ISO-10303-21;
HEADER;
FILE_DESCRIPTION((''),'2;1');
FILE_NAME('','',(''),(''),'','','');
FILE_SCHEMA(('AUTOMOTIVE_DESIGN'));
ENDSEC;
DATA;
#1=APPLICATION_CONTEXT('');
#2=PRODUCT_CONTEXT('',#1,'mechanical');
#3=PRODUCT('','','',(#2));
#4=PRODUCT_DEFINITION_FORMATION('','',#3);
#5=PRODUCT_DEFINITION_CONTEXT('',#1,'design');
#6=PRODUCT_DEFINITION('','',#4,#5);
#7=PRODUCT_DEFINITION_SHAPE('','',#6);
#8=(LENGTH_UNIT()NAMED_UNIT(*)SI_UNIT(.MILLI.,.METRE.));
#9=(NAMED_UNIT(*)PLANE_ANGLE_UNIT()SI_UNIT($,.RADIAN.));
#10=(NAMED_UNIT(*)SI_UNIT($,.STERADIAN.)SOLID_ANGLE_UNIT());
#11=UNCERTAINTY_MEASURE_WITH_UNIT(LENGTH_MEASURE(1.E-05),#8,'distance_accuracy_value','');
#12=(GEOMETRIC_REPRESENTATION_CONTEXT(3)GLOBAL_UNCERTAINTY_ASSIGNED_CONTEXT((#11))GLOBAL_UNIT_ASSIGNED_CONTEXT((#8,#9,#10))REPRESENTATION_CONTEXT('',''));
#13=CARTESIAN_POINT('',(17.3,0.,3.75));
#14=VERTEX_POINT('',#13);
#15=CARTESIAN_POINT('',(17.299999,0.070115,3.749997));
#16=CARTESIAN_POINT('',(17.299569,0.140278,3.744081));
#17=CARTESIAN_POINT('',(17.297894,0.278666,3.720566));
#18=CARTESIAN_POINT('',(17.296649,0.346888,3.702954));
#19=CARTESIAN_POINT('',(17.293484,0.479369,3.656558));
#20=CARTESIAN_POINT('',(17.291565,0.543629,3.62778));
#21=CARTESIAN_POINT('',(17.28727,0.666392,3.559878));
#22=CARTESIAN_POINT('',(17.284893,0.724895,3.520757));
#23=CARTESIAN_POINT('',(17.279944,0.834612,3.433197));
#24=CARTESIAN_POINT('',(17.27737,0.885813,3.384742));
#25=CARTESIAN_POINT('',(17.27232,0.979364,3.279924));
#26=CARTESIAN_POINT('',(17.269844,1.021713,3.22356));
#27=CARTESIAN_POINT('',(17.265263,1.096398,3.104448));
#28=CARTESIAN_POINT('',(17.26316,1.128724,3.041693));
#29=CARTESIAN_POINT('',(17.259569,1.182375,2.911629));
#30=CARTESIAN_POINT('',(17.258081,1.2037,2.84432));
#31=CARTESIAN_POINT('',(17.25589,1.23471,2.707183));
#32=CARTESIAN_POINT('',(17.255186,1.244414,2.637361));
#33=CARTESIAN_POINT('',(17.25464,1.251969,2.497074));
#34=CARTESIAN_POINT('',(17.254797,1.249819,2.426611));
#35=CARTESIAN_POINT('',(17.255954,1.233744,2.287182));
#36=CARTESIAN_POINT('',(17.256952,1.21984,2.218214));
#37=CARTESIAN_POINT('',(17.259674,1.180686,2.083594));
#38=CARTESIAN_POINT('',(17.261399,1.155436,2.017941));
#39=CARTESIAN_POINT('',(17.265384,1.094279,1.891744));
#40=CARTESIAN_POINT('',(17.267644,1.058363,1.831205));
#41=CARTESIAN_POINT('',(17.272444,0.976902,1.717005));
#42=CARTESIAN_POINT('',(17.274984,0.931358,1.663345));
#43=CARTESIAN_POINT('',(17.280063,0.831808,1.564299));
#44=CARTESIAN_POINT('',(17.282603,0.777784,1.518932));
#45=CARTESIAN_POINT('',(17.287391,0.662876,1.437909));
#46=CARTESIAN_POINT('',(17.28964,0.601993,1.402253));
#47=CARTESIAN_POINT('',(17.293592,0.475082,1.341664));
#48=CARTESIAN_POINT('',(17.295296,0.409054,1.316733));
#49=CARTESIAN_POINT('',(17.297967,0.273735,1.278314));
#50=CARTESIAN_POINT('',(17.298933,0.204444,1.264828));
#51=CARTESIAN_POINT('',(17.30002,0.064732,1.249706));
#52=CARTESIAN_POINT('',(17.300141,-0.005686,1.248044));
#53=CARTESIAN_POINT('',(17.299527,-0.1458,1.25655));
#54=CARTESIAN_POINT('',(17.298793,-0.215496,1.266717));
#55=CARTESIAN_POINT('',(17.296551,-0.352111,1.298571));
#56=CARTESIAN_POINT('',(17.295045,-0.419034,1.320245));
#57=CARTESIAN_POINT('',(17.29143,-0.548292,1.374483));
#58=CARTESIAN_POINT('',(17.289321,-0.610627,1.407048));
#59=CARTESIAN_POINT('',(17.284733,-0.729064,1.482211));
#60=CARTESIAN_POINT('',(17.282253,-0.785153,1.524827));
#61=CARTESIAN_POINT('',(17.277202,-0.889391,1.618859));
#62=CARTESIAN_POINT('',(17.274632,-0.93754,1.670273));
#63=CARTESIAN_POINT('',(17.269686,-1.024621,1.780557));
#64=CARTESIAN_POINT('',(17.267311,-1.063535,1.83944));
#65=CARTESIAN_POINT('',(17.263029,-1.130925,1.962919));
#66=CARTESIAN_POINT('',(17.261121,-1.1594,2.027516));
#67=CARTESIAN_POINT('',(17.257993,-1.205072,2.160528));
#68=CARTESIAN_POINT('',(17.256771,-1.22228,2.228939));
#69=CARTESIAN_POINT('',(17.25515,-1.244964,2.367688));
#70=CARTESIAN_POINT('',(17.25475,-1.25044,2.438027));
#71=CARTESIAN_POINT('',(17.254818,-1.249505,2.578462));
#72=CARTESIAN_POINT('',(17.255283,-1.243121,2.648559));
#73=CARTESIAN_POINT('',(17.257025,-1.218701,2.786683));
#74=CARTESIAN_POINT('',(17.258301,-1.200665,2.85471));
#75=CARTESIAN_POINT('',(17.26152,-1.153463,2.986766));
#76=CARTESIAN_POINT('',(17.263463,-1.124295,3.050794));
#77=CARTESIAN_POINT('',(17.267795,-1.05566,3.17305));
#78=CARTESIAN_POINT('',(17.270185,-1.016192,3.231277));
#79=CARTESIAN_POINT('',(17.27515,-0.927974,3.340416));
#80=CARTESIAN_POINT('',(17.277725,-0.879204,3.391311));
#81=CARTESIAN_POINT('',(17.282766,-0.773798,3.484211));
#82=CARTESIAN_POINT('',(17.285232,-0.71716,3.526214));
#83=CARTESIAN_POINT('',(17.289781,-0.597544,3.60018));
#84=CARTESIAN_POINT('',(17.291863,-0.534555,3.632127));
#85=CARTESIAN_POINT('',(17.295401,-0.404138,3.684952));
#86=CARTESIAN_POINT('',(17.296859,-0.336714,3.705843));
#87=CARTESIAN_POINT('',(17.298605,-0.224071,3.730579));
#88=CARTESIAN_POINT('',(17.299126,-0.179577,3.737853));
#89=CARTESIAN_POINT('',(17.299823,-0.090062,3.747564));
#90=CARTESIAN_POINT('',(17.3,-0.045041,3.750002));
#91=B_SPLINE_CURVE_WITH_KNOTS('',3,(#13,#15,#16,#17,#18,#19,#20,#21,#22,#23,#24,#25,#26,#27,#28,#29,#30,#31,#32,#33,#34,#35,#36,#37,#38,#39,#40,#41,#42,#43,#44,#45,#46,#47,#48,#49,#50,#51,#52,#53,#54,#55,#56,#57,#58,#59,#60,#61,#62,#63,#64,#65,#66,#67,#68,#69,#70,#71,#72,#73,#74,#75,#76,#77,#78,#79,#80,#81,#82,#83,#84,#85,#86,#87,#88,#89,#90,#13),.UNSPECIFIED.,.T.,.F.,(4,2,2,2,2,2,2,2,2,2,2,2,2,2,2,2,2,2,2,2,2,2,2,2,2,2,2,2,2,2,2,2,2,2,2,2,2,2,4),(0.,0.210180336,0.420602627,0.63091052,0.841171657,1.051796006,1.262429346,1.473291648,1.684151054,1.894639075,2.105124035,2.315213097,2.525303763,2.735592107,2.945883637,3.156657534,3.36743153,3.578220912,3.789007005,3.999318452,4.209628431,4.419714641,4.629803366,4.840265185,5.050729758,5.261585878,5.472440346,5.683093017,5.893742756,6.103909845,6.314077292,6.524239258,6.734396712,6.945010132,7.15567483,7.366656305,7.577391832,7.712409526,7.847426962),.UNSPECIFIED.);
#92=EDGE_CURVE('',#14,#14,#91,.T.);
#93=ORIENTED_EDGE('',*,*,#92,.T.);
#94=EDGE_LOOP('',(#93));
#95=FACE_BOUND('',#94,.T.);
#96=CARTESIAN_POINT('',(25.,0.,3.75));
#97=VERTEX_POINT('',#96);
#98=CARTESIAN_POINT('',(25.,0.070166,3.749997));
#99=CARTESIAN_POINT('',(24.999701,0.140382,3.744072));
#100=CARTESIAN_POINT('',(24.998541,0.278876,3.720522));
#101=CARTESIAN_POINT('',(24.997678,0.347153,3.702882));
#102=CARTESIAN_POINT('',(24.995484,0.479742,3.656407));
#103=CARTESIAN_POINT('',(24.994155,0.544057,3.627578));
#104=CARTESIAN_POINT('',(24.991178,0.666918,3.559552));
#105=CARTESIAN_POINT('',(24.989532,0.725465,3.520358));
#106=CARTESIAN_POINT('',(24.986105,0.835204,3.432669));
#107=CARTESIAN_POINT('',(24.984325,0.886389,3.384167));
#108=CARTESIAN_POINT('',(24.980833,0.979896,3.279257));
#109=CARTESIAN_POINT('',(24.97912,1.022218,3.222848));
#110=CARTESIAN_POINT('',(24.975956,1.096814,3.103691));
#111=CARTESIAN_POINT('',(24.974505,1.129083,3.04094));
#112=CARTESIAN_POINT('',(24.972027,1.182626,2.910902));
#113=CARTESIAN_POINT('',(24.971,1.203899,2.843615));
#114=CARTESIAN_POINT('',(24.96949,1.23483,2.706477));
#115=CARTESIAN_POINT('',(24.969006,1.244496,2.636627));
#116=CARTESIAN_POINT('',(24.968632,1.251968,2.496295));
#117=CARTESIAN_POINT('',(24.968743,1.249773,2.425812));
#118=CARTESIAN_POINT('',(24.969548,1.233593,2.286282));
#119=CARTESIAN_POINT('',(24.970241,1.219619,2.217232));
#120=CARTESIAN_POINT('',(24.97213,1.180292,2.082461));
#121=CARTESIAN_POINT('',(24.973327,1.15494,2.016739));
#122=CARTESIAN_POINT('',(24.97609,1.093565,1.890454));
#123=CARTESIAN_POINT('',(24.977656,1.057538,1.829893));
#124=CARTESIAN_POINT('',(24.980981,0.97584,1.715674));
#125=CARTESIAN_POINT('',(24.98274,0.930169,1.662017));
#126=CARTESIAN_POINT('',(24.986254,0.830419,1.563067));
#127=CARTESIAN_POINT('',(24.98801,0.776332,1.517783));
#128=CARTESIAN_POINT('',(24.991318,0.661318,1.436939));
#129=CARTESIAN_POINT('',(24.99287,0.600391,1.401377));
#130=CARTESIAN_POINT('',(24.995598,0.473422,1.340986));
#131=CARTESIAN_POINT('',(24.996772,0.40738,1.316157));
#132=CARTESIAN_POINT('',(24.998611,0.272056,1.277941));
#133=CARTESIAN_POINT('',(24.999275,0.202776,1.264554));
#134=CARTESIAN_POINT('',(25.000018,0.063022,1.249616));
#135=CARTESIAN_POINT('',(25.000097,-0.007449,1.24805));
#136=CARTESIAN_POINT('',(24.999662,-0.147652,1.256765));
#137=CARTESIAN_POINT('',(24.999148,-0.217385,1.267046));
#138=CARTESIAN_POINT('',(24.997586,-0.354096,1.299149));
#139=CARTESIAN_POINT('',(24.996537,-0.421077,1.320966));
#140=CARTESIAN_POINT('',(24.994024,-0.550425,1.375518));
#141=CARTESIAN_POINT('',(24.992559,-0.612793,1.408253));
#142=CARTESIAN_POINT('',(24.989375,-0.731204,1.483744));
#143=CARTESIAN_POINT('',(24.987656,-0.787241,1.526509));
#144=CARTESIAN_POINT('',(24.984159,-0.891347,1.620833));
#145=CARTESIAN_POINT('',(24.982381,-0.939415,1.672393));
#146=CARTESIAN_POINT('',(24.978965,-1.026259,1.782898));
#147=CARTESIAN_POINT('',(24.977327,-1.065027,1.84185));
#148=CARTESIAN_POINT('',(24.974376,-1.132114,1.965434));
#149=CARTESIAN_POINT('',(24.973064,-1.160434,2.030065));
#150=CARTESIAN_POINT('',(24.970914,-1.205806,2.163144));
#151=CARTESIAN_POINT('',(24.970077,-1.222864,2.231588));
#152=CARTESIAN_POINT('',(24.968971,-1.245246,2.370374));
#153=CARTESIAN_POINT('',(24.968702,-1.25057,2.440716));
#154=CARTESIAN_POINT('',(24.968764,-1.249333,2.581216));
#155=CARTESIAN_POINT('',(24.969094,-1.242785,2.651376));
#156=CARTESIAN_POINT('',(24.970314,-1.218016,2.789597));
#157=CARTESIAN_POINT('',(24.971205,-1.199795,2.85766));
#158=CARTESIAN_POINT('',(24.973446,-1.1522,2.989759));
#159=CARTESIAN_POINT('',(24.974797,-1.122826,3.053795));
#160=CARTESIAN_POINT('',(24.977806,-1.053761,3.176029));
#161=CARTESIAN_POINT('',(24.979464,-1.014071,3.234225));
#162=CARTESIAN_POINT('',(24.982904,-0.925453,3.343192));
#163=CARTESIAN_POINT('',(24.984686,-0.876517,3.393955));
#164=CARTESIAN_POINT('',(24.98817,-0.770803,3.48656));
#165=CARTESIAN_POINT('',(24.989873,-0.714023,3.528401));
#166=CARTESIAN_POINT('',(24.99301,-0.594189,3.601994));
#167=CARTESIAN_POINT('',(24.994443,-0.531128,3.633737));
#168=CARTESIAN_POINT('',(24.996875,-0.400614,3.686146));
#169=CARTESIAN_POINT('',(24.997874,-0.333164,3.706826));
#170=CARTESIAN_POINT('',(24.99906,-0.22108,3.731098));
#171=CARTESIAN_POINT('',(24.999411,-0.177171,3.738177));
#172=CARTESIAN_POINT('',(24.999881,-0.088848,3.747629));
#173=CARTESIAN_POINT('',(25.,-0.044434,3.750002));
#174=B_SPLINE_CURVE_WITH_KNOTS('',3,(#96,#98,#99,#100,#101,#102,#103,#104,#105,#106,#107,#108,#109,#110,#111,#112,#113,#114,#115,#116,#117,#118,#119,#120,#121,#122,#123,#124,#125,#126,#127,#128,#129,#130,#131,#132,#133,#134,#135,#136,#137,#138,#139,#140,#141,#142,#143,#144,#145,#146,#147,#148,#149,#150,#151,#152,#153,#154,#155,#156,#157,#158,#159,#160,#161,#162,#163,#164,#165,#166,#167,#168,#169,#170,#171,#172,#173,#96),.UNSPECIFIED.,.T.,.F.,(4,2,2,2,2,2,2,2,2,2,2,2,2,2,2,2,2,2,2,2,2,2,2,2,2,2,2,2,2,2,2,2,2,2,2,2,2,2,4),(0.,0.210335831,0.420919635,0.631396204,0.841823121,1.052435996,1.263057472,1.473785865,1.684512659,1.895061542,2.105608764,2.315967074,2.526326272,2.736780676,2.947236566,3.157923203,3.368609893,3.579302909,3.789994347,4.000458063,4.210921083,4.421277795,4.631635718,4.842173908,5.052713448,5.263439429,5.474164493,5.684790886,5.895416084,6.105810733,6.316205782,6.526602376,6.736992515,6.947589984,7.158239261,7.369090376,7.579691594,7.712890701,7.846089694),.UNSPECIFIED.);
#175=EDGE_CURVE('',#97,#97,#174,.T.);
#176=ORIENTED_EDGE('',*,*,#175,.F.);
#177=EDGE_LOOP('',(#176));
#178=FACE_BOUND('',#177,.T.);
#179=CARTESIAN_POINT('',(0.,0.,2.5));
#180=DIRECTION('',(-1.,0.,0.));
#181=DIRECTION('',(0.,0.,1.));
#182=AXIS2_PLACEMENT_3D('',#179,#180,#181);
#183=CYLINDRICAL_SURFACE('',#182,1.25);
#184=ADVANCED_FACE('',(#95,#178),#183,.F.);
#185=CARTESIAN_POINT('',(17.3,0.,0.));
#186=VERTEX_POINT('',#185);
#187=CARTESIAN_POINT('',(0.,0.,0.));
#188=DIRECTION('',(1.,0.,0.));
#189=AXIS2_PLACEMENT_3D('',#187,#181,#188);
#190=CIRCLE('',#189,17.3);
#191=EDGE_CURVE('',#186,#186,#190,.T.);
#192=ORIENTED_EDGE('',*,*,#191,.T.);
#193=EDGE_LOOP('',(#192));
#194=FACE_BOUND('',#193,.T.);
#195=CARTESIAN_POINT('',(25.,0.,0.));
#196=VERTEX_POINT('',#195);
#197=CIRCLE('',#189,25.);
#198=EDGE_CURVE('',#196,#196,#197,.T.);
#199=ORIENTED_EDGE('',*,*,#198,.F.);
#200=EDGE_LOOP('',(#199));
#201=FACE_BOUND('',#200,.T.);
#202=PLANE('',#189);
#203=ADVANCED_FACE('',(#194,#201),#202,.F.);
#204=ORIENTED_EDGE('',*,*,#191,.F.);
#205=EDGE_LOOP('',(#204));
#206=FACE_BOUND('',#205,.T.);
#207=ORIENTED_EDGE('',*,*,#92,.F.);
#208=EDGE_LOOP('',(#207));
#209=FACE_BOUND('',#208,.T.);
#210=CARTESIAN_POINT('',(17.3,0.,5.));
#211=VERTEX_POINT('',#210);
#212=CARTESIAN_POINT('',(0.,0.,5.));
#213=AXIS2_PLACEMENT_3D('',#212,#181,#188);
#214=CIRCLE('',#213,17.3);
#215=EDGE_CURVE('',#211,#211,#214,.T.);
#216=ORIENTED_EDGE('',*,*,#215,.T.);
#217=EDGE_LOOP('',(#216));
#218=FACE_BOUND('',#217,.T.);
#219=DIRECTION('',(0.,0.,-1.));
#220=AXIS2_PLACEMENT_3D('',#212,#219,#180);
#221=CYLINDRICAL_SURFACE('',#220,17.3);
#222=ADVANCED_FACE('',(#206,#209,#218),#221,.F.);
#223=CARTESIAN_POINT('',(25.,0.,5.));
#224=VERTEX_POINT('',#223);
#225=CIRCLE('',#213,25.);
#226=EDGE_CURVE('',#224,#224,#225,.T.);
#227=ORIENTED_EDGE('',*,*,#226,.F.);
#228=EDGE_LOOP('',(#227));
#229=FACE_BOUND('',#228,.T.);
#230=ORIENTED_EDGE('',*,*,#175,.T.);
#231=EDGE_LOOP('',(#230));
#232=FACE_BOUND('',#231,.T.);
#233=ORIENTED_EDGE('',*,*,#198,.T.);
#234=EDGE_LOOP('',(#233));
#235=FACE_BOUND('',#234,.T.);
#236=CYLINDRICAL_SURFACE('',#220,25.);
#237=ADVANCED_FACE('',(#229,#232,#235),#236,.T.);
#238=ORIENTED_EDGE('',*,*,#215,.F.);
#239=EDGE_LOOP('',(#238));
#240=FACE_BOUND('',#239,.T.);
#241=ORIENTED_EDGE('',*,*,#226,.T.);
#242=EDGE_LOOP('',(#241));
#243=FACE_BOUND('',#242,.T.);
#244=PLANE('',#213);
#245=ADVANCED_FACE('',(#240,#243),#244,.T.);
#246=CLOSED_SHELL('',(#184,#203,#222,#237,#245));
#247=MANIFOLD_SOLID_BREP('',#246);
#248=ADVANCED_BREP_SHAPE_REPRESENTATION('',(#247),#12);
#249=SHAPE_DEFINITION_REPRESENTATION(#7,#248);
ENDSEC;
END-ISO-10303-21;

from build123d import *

# Parameters (mm, degrees)
ESBO_O1_R                = 25
ESBO_O1_R_2              = 17.3
RESSALTO_EXTRUS_O1_DEPTH = 5
ESBO_O2_W                = 1.25
ESBO_O2_H                = 25


with BuildPart() as part:
    # Esboço1 → Ressalto-extrusão1 (new body)
    with BuildSketch(Plane.XY):
        Circle(ESBO_O1_R)
        Circle(ESBO_O1_R_2, mode=Mode.SUBTRACT)
    extrude(amount=RESSALTO_EXTRUS_O1_DEPTH)

    # Esboço2 → Furo roscado de M3x0.51 (revolve, cut)
    with BuildSketch(Plane(origin=(0, 0, 2.5), x_dir=(0, 0, 1), z_dir=(0, 1, 0))):
        with Locations((0.625, 12.5)):
            Rectangle(ESBO_O2_W, ESBO_O2_H)
    revolve(axis=Axis((-6.35, 0, 2.5), (1, 0, 0)), mode=Mode.SUBTRACT)


solid = part.part
